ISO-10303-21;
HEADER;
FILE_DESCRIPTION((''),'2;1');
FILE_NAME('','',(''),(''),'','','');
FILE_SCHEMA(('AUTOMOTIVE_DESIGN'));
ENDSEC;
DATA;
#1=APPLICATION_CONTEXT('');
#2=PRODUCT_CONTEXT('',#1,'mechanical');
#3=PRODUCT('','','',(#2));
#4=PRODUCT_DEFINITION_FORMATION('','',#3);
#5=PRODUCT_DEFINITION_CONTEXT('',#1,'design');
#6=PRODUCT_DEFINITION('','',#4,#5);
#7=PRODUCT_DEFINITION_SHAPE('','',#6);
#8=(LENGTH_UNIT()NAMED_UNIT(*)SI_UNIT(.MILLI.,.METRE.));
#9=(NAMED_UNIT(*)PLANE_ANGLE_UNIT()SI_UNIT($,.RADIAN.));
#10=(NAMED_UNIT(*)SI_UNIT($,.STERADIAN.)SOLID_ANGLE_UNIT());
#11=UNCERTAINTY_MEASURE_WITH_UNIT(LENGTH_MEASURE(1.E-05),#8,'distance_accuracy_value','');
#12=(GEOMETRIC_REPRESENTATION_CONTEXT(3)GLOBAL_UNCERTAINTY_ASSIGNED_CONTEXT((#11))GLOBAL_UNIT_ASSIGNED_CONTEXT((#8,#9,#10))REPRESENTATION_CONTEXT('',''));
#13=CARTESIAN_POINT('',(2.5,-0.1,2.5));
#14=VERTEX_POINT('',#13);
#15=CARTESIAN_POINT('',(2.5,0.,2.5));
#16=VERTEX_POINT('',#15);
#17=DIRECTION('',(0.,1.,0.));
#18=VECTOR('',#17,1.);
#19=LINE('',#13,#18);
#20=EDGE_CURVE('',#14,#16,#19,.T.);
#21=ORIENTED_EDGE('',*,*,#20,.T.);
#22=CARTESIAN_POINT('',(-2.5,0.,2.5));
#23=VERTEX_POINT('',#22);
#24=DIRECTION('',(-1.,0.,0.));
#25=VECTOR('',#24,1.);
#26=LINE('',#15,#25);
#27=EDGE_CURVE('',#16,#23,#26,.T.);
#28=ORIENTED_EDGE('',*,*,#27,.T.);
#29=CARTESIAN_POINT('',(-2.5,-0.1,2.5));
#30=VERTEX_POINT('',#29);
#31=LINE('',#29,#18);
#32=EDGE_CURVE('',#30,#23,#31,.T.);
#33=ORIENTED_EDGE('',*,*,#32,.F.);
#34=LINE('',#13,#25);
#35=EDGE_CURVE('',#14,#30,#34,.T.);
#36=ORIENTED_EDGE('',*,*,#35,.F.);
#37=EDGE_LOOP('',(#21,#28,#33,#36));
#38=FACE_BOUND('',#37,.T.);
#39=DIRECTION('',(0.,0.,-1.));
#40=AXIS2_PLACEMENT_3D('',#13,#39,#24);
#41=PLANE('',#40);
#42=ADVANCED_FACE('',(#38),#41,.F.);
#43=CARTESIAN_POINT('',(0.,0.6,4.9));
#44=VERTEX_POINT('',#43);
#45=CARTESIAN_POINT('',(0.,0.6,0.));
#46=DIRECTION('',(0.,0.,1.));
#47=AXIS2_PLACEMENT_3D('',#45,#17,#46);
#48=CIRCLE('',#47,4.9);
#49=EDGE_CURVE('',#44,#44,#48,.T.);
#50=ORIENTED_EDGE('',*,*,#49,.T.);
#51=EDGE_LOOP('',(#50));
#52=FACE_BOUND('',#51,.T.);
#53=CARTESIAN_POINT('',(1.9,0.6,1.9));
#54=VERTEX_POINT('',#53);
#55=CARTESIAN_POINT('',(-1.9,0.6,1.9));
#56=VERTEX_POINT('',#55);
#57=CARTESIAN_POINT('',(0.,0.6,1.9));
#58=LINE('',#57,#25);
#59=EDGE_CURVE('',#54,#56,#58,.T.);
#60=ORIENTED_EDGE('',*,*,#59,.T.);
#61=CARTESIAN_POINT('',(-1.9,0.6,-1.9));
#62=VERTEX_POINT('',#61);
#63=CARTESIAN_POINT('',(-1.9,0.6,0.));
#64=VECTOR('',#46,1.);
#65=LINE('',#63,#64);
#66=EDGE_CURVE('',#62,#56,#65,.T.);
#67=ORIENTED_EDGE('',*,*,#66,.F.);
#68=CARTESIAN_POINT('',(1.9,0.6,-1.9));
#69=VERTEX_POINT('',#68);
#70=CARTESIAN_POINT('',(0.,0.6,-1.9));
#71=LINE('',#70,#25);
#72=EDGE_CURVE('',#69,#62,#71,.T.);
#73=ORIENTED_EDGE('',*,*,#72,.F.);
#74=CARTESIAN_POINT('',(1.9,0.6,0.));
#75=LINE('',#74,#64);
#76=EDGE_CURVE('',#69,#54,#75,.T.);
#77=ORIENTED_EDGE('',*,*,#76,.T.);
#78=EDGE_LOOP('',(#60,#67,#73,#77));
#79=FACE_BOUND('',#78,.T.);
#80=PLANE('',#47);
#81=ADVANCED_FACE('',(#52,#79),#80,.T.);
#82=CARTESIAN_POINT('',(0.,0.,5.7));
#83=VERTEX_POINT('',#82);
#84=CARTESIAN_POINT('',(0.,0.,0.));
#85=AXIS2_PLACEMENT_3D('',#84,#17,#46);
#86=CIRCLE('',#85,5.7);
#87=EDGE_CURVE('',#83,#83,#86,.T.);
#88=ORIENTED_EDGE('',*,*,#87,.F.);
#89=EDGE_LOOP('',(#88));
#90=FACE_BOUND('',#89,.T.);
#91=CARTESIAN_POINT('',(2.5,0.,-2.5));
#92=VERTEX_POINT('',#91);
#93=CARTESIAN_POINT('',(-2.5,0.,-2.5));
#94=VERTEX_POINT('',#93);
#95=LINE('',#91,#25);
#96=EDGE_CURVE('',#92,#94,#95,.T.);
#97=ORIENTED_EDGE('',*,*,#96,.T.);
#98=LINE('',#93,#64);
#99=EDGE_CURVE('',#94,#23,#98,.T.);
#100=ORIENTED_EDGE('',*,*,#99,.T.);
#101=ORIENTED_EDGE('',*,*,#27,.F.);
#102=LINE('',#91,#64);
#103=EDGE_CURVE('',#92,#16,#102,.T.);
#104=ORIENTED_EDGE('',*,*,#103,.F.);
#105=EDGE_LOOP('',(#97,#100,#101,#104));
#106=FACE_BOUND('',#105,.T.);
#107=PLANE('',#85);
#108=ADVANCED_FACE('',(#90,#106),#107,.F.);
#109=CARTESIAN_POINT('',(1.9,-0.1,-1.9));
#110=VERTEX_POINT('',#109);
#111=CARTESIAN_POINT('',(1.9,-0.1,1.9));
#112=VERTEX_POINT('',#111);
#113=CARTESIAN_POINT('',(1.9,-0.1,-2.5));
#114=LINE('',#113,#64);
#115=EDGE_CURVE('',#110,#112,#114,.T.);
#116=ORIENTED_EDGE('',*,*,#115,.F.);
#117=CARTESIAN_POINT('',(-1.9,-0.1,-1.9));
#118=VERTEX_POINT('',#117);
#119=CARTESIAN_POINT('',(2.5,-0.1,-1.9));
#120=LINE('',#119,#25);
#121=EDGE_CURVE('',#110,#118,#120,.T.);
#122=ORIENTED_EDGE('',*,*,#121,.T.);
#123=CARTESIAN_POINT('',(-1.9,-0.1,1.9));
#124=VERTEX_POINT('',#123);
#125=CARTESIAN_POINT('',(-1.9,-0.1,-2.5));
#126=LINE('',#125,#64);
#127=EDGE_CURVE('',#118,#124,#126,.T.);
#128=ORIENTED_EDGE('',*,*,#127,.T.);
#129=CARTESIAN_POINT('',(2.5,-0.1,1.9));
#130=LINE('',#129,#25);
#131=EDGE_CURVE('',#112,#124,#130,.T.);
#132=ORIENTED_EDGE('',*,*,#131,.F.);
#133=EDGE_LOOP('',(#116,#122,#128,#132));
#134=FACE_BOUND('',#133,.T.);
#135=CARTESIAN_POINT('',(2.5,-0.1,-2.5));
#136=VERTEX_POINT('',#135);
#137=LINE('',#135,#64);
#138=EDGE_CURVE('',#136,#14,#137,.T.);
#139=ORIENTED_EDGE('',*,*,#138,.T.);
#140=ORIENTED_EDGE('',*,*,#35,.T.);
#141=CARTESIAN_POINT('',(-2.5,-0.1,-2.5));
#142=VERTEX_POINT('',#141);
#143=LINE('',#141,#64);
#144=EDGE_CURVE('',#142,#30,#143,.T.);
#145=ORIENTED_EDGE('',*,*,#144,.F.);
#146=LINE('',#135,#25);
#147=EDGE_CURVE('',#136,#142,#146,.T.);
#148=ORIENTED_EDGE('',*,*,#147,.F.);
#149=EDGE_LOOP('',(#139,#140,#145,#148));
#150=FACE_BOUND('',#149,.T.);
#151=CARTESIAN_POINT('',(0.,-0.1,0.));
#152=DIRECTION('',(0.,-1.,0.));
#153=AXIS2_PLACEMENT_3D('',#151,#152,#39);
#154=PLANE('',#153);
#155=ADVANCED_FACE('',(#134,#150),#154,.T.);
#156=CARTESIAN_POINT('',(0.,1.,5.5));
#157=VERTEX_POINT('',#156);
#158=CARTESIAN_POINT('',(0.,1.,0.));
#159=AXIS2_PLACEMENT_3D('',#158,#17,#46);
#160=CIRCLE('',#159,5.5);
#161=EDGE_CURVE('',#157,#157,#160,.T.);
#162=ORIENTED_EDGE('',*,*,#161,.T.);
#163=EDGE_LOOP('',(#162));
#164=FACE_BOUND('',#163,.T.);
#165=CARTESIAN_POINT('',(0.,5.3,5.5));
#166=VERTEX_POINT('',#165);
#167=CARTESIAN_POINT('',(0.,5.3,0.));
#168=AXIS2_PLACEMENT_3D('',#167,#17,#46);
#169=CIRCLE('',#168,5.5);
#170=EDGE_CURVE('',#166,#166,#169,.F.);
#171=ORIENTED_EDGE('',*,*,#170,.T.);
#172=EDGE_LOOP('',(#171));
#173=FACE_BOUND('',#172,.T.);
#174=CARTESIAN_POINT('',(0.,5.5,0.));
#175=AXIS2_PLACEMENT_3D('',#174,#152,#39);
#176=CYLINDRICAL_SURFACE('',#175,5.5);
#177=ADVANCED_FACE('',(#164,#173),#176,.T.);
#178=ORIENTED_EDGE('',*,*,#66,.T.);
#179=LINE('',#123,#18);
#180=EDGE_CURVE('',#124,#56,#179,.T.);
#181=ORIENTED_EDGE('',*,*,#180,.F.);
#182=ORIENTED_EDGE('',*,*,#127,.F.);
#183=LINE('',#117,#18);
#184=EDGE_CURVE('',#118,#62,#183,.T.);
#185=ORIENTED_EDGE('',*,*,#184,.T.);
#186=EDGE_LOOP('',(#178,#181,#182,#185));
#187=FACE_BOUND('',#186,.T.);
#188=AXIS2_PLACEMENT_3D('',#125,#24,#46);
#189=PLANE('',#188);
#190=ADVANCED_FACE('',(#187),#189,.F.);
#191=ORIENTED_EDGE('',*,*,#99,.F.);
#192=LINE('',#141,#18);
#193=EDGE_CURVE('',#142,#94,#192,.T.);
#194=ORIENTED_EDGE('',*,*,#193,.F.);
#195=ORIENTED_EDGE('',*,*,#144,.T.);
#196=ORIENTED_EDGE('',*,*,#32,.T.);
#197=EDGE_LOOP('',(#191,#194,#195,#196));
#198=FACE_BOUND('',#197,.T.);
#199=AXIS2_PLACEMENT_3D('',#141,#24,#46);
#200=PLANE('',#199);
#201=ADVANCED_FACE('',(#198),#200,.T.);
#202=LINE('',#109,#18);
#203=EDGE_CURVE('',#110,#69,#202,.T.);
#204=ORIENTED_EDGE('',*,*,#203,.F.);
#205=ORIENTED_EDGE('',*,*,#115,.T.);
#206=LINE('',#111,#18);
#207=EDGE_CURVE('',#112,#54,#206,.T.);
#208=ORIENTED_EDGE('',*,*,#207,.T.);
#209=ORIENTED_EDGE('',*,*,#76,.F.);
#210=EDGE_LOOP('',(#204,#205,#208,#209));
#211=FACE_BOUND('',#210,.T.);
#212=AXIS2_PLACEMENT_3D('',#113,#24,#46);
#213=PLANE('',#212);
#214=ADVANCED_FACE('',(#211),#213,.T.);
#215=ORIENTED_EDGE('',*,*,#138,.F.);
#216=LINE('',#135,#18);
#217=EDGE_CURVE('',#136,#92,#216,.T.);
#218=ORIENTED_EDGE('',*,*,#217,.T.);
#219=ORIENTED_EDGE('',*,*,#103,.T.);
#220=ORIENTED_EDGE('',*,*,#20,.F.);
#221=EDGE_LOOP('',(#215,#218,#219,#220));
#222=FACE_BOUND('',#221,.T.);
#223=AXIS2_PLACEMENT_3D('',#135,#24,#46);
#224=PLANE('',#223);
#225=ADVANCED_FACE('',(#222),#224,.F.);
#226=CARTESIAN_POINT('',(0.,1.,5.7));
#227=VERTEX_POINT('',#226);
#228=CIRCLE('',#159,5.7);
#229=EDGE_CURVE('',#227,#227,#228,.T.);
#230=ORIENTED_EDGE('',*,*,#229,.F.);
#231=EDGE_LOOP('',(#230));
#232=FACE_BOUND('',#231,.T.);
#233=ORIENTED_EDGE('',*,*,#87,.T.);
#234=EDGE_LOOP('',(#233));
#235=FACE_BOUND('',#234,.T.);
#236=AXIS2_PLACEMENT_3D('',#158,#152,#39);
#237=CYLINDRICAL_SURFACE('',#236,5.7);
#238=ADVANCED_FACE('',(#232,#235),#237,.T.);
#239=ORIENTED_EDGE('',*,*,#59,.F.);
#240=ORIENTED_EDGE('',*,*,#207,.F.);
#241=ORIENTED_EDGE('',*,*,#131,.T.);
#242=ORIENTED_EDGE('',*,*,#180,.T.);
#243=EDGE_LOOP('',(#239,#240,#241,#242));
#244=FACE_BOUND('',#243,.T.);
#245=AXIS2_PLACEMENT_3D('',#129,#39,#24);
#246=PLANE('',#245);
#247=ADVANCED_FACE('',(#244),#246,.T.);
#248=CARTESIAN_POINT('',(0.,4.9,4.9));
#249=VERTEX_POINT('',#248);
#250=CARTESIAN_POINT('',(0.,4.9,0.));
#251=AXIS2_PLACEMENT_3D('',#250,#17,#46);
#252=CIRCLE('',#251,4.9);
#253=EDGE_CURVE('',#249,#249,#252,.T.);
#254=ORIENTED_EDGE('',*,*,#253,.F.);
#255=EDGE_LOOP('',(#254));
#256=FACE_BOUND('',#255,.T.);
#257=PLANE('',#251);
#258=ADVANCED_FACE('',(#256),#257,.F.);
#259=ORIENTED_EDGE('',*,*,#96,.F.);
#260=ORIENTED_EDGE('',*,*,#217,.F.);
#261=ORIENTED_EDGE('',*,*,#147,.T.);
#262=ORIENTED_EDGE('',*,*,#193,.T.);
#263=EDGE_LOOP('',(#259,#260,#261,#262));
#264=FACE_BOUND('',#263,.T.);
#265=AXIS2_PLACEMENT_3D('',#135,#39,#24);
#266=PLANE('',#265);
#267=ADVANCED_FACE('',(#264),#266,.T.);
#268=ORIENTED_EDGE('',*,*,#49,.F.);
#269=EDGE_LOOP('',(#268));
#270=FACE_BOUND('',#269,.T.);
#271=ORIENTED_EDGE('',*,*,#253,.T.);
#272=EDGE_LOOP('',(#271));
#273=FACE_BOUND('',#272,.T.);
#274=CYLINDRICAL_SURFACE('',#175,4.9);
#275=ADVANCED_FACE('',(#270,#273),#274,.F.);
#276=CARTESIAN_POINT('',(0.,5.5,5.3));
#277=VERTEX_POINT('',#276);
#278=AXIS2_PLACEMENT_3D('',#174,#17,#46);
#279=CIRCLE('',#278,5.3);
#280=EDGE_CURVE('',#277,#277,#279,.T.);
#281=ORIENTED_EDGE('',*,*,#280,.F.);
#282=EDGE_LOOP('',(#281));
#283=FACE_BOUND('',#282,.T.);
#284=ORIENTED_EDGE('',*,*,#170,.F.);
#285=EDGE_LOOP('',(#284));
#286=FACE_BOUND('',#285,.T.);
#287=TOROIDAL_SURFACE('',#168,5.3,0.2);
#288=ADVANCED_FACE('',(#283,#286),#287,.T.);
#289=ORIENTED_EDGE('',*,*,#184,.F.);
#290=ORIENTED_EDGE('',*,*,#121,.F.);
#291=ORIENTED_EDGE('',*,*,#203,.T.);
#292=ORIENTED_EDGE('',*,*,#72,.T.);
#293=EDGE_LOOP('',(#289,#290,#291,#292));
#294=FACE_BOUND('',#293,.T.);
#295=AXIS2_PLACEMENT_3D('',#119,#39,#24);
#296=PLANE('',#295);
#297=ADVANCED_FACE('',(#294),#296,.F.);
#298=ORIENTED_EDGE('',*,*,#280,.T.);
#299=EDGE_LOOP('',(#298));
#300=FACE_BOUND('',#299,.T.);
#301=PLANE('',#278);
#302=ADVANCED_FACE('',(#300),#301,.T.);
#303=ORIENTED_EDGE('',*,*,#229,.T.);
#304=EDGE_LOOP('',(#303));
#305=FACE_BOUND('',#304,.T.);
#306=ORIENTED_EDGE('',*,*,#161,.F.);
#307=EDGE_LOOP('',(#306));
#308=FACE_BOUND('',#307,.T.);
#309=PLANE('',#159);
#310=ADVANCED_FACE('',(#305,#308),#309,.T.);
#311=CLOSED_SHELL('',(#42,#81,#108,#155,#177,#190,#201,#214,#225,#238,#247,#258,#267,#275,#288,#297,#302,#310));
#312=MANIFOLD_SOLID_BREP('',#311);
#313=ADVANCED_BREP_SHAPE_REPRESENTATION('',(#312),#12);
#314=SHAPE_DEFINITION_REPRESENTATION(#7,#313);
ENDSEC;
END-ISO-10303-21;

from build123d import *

# Parameters (mm, degrees)
SKETCH7_R           = 5.7
BOSS_EXTRUDE2_DEPTH = 1
SKETCH8_R           = 5.5
BOSS_EXTRUDE3_DEPTH = 4.5
FILLET4_R           = 0.2
SKETCH9_W           = 5
SKETCH9_H           = 5
BOSS_EXTRUDE4_DEPTH = 0.1
SHELL3_T            = -0.6


with BuildPart() as part:
    # Sketch7 → Boss-Extrude2 (new body)
    with BuildSketch(Plane(origin=(0, 0, 0), x_dir=(1, 0, 0), z_dir=(0, 1, 0))):
        with Locations(Location((0, 0, 0), (0, 0, 270))):
            Circle(SKETCH7_R)
    extrude(amount=BOSS_EXTRUDE2_DEPTH)

    # Sketch8 → Boss-Extrude3 (add)
    with BuildSketch(Plane(origin=(0, 1, 0), x_dir=(1, 0, 0), z_dir=(0, 1, 0))):
        with Locations(Location((0, 0, 0), (0, 0, 270))):
            Circle(SKETCH8_R)
    extrude(amount=BOSS_EXTRUDE3_DEPTH)

    # Fillet4
    fillet4_edges = [part.edges().sort_by_distance(p)[0] for p in [
        (0, 5.5, -5.5),
    ]]
    fillet(fillet4_edges, radius=FILLET4_R)

    # Sketch9 → Boss-Extrude4 (add)
    with BuildSketch(Plane.XZ):
        Rectangle(SKETCH9_W, SKETCH9_H)
    extrude(amount=BOSS_EXTRUDE4_DEPTH)

    # Shell3
    shell3_openings = [part.faces().sort_by_distance(p)[0] for p in [
        (0, -0.1, 0),
    ]]
    offset(amount=SHELL3_T, openings=shell3_openings, kind=Kind.INTERSECTION)


solid = part.part
